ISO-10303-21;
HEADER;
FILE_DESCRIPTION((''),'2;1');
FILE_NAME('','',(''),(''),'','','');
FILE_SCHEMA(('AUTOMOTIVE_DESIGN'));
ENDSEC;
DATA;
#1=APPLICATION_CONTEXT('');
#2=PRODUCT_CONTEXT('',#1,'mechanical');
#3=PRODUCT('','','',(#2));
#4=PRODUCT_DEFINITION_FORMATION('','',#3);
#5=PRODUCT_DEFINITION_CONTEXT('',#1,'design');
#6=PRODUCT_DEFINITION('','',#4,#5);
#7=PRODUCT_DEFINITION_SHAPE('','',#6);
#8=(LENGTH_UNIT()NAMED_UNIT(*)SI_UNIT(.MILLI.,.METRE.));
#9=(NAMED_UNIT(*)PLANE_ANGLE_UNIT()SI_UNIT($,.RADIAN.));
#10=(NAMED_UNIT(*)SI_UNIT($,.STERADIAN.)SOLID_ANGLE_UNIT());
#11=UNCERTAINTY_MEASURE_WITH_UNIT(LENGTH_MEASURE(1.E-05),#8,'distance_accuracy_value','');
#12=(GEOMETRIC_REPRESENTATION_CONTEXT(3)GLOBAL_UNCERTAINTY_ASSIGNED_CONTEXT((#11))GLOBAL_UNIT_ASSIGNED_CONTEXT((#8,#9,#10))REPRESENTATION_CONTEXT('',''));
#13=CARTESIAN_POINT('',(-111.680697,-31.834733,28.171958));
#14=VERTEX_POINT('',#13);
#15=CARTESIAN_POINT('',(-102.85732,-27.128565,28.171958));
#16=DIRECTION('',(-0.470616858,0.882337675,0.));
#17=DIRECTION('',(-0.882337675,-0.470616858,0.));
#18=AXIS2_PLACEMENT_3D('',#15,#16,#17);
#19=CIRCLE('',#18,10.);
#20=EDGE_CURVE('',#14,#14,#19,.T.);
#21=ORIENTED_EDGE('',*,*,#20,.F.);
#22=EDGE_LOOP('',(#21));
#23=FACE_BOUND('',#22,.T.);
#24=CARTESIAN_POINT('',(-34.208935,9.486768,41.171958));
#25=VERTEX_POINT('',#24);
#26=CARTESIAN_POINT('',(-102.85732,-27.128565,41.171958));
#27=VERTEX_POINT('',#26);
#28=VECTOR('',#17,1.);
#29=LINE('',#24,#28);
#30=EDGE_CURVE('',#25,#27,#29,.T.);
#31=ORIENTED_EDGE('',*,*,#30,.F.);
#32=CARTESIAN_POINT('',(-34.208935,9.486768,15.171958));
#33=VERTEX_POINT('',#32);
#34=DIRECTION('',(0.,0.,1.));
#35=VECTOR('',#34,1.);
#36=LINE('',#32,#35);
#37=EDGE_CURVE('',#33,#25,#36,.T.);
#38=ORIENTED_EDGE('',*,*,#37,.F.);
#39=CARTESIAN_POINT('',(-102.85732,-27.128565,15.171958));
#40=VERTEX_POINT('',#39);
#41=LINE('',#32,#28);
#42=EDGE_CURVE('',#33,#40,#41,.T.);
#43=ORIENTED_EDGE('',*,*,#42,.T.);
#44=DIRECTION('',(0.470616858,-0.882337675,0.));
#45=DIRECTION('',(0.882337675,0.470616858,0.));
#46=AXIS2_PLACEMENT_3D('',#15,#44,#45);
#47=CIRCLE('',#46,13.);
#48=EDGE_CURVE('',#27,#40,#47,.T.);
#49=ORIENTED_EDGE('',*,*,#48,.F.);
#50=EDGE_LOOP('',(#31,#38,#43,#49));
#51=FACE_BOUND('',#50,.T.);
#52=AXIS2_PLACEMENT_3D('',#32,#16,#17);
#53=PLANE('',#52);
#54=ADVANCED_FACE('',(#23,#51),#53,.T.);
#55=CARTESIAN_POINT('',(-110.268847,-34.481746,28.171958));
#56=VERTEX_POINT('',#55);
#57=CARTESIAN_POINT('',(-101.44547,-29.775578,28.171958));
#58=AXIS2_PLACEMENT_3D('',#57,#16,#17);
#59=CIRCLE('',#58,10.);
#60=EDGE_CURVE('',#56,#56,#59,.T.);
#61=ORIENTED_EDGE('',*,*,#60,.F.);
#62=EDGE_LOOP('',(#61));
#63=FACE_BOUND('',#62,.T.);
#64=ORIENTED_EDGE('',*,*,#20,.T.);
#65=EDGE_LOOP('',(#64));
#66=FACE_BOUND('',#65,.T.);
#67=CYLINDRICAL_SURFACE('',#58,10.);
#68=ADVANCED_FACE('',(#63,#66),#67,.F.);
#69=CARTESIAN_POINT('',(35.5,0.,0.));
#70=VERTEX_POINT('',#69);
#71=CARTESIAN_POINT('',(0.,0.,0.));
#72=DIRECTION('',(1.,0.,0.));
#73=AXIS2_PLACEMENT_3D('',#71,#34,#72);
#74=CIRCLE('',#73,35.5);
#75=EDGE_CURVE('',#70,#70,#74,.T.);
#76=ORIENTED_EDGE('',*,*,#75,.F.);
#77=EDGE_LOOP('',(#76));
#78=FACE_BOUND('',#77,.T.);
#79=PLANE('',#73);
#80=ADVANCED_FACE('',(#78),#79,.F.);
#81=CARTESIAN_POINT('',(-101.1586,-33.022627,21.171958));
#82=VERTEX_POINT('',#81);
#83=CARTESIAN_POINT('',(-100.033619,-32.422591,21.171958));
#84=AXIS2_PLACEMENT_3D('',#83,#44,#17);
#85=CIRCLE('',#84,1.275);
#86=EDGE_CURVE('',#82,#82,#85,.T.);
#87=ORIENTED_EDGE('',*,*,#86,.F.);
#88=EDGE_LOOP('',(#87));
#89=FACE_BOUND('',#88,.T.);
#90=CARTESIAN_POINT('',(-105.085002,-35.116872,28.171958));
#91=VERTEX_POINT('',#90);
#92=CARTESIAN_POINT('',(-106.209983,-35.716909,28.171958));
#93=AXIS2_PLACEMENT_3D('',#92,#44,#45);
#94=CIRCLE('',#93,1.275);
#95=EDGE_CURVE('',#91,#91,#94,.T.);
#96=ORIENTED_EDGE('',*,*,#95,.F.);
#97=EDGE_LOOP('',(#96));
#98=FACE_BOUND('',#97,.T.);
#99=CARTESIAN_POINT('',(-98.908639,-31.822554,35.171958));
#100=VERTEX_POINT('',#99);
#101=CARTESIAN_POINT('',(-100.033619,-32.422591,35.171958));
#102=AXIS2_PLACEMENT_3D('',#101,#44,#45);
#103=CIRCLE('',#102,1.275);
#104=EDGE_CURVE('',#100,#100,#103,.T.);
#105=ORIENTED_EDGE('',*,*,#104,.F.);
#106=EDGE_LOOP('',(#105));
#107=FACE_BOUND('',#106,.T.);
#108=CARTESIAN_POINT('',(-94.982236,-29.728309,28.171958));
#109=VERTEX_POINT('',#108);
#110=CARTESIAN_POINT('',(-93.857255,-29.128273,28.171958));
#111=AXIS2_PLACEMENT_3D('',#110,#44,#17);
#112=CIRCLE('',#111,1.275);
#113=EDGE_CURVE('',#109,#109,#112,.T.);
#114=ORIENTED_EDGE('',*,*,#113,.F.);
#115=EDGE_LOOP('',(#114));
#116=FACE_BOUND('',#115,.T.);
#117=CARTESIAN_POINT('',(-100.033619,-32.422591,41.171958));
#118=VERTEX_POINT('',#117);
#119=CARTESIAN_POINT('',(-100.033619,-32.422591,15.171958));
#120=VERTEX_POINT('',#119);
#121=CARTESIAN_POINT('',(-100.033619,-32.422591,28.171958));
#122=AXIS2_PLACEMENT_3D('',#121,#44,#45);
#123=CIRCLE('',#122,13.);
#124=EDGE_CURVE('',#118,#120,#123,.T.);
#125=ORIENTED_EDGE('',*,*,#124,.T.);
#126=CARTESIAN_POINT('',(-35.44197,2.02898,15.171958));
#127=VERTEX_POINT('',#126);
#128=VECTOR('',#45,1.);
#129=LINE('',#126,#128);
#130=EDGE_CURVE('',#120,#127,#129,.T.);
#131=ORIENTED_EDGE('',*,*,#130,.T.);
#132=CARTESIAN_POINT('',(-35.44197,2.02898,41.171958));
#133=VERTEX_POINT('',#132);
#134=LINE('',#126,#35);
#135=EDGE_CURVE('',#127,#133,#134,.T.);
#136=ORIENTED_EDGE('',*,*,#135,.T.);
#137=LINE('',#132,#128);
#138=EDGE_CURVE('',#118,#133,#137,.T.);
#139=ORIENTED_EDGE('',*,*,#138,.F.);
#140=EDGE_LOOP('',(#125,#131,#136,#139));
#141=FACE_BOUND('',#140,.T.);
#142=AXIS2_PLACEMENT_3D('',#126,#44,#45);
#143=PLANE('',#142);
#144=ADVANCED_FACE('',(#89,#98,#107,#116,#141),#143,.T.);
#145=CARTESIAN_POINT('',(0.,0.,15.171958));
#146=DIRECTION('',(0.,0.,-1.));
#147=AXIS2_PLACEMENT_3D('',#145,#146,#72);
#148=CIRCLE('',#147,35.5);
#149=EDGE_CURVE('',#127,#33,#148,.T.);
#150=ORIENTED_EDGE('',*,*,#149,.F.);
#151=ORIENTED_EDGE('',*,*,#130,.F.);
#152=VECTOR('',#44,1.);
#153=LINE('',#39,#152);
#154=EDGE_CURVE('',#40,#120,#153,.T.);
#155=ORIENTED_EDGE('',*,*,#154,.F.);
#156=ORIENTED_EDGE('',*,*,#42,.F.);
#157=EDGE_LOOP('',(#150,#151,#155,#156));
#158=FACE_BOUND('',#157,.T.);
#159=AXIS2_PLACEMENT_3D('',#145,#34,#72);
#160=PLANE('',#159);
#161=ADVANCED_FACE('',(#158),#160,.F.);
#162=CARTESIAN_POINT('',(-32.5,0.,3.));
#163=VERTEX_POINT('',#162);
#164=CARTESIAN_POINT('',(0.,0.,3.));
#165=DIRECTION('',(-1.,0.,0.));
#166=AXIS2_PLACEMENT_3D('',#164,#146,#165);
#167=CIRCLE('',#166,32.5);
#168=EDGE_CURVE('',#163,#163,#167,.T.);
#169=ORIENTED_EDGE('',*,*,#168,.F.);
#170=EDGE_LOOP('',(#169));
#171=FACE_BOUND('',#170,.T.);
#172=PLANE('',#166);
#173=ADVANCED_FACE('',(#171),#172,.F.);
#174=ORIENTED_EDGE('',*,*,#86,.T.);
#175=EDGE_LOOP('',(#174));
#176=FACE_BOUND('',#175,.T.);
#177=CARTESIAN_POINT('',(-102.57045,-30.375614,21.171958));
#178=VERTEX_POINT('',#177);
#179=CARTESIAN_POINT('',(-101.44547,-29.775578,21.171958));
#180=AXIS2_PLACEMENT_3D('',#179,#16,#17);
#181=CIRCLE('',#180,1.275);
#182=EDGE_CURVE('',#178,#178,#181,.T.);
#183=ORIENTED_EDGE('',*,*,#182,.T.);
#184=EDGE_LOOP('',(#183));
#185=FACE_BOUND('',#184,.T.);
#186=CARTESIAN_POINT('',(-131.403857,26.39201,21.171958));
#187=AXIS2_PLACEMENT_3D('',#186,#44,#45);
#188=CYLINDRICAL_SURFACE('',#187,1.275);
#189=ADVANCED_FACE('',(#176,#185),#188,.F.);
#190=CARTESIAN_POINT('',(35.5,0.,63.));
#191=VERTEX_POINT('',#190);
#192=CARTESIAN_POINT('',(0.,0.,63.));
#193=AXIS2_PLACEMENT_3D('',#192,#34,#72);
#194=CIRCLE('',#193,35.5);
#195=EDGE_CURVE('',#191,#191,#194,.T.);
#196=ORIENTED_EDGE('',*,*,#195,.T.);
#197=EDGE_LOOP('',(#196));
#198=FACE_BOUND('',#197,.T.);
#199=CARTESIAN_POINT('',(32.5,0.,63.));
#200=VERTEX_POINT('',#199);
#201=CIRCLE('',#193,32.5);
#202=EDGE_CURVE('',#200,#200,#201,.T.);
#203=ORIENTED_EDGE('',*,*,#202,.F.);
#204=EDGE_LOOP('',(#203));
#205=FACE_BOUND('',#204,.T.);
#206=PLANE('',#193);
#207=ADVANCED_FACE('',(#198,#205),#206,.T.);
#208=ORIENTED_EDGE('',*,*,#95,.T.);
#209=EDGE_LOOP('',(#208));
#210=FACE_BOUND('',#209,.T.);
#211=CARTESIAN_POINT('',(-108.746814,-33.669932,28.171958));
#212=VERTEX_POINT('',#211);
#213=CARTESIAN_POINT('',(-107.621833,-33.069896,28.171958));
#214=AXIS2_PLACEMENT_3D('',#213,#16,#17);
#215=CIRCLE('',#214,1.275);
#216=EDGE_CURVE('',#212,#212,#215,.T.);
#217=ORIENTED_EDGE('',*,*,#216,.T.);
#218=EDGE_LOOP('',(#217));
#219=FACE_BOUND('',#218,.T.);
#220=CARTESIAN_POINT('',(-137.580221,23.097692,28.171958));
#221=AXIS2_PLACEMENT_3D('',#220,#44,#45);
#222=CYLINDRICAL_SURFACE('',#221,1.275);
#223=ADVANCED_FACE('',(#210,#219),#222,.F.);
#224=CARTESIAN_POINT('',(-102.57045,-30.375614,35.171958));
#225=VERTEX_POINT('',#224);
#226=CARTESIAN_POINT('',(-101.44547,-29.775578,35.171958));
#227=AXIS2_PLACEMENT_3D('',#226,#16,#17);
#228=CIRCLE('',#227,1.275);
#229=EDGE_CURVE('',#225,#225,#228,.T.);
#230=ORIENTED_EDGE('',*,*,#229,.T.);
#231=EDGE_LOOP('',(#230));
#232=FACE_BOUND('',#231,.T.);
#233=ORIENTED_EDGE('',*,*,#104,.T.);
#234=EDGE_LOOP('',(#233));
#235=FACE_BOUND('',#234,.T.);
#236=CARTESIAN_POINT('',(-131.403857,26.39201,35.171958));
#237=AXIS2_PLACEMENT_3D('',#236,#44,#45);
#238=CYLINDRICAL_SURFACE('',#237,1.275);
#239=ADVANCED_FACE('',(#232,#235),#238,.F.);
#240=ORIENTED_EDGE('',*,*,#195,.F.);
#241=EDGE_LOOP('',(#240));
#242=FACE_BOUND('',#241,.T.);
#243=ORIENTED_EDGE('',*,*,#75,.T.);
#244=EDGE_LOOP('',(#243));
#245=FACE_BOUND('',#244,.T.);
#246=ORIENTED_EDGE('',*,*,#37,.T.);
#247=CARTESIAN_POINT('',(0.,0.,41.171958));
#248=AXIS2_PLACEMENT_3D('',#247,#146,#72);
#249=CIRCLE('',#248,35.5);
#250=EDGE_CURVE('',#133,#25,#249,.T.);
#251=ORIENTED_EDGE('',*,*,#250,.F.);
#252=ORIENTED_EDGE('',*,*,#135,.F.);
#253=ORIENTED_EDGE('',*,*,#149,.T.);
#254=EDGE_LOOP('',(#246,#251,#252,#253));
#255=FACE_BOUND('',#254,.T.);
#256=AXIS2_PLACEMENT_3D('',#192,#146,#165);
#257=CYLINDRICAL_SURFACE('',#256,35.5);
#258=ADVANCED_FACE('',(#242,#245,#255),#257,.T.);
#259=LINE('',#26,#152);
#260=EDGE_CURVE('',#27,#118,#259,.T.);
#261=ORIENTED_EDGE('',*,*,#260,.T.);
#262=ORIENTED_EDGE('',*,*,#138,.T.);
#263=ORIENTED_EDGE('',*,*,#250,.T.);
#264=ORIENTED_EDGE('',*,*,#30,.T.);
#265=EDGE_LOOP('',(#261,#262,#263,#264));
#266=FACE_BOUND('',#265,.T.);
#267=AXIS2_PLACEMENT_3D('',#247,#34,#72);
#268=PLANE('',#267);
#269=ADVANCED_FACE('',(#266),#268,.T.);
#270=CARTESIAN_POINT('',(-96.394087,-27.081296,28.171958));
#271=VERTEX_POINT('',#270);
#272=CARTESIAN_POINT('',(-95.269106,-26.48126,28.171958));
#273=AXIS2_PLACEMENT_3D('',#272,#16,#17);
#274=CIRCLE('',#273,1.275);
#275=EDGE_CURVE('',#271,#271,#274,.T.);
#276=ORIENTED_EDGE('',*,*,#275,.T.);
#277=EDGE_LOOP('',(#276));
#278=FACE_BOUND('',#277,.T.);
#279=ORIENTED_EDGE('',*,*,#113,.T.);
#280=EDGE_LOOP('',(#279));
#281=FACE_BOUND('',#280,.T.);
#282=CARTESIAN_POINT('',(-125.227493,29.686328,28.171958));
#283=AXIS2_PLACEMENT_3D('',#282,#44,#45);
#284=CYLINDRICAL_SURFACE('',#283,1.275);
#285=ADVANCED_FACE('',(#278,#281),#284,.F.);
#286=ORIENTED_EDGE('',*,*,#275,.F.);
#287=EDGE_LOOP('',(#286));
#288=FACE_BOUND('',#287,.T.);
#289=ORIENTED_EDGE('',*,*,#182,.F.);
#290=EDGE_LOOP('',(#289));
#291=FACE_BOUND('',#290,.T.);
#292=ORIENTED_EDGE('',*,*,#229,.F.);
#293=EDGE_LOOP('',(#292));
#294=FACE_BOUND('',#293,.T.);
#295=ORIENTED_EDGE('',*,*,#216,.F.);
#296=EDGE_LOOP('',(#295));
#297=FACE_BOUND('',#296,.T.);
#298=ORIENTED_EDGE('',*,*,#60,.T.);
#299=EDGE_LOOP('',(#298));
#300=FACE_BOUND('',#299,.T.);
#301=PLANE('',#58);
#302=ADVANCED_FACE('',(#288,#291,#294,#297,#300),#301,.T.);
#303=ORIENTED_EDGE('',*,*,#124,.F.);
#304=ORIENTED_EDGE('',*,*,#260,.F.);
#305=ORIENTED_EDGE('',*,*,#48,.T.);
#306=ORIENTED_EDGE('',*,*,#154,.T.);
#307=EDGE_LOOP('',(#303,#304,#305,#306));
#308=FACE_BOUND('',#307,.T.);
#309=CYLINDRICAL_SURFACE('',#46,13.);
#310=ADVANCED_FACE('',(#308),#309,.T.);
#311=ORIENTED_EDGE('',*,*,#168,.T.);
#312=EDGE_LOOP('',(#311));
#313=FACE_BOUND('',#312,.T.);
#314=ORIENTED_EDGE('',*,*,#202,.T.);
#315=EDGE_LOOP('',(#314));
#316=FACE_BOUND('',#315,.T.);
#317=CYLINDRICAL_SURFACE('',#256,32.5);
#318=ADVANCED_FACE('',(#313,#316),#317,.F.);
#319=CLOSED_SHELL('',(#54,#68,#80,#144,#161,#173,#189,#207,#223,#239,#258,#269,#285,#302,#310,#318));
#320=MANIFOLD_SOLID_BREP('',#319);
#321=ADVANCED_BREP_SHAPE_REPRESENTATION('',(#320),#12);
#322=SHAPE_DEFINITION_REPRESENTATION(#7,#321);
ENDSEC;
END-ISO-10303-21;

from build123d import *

# Parameters (mm, degrees)
SKETCH1_R                = 35.5
SKETCH1_R_2              = 32.5
BOSS_EXTRUDE1_DEPTH      = 63
SKETCH2_R                = 32.5
BOSS_EXTRUDE2_DEPTH      = 3
BOSS_EXTRUDE6_DEPTH      = 14.275
BOSS_EXTRUDE6_DEPTH_BACK = 11.725
SKETCH7_R                = 13
BOSS_EXTRUDE7_DEPTH      = 6
SKETCH8_R                = 10
CUT_EXTRUDE1_DEPTH       = 3
SKETCH9_R                = 1.275
CUT_EXTRUDE2_DEPTH       = 67.65770114


with BuildPart() as part:
    # Sketch1 → Boss-Extrude1 (new body)
    with BuildSketch(Plane.XY):
        Circle(SKETCH1_R)
        Circle(SKETCH1_R_2, mode=Mode.SUBTRACT)
    extrude(amount=BOSS_EXTRUDE1_DEPTH)

    # Sketch2 → Boss-Extrude2 (add)
    with BuildSketch(Plane(origin=(0, 0, 0), x_dir=(-1, 0, 0), z_dir=(0, 0, -1))):
        Circle(SKETCH2_R)
    extrude(amount=-BOSS_EXTRUDE2_DEPTH)

    # Sketch6 → Boss-Extrude6 (add, two sides)
    with BuildSketch(Plane.XY.offset(26.896958138)) as boss_extrude6_sk:
        with BuildLine():
            Line((-34.208935101, 9.486767586), (-102.85732032, -27.128564879))
            Line((-102.85732032, -27.128564879), (-100.033619175, -32.422590931))
            Line((-100.033619175, -32.422590931), (-35.441970042, 2.028979924))
            ThreePointArc((-35.441970042, 2.028979924), (-35.024517071, 5.790786127), (-34.208935101, 9.486767586))
        make_face()
    extrude(amount=BOSS_EXTRUDE6_DEPTH)
    extrude(boss_extrude6_sk.sketch, amount=-BOSS_EXTRUDE6_DEPTH_BACK)

    # Sketch7 → Boss-Extrude7 (add)
    with BuildSketch(Plane(origin=(-8.692215236, 16.296630393, 0), x_dir=(0.882337675, 0.470616858, 0), z_dir=(0.470616858, -0.882337675, 0))):
        with Locations((-103.522048859, 28.171958138)):
            Circle(SKETCH7_R)
    extrude(amount=-BOSS_EXTRUDE7_DEPTH)

    # Sketch8 → Cut-Extrude1 (cut)
    with BuildSketch(Plane(origin=(-11.515916381, 21.590656445, 0), x_dir=(0.882337675, 0.470616858, 0), z_dir=(-0.470616858, 0.882337675, 0))):
        with Locations((-103.522048859, -28.171958138)):
            Circle(SKETCH8_R)
    extrude(amount=-CUT_EXTRUDE1_DEPTH, mode=Mode.SUBTRACT)

    # Sketch9 → Cut-Extrude2 (cut, through all)
    with BuildSketch(Plane(origin=(-8.692215236, 16.296630393, 0), x_dir=(0.882337675, 0.470616858, 0), z_dir=(0.470616858, -0.882337675, 0))):
        with Locations((-103.522048859, 35.171958138)):
            Circle(SKETCH9_R)
        with Locations((-110.522048859, 28.171958138)):
            Circle(SKETCH9_R)
        with Locations((-96.522048859, 28.171958138)):
            Circle(SKETCH9_R)
        with Locations((-103.522048859, 21.171958138)):
            Circle(SKETCH9_R)
    extrude(amount=-CUT_EXTRUDE2_DEPTH, mode=Mode.SUBTRACT)


solid = part.part
